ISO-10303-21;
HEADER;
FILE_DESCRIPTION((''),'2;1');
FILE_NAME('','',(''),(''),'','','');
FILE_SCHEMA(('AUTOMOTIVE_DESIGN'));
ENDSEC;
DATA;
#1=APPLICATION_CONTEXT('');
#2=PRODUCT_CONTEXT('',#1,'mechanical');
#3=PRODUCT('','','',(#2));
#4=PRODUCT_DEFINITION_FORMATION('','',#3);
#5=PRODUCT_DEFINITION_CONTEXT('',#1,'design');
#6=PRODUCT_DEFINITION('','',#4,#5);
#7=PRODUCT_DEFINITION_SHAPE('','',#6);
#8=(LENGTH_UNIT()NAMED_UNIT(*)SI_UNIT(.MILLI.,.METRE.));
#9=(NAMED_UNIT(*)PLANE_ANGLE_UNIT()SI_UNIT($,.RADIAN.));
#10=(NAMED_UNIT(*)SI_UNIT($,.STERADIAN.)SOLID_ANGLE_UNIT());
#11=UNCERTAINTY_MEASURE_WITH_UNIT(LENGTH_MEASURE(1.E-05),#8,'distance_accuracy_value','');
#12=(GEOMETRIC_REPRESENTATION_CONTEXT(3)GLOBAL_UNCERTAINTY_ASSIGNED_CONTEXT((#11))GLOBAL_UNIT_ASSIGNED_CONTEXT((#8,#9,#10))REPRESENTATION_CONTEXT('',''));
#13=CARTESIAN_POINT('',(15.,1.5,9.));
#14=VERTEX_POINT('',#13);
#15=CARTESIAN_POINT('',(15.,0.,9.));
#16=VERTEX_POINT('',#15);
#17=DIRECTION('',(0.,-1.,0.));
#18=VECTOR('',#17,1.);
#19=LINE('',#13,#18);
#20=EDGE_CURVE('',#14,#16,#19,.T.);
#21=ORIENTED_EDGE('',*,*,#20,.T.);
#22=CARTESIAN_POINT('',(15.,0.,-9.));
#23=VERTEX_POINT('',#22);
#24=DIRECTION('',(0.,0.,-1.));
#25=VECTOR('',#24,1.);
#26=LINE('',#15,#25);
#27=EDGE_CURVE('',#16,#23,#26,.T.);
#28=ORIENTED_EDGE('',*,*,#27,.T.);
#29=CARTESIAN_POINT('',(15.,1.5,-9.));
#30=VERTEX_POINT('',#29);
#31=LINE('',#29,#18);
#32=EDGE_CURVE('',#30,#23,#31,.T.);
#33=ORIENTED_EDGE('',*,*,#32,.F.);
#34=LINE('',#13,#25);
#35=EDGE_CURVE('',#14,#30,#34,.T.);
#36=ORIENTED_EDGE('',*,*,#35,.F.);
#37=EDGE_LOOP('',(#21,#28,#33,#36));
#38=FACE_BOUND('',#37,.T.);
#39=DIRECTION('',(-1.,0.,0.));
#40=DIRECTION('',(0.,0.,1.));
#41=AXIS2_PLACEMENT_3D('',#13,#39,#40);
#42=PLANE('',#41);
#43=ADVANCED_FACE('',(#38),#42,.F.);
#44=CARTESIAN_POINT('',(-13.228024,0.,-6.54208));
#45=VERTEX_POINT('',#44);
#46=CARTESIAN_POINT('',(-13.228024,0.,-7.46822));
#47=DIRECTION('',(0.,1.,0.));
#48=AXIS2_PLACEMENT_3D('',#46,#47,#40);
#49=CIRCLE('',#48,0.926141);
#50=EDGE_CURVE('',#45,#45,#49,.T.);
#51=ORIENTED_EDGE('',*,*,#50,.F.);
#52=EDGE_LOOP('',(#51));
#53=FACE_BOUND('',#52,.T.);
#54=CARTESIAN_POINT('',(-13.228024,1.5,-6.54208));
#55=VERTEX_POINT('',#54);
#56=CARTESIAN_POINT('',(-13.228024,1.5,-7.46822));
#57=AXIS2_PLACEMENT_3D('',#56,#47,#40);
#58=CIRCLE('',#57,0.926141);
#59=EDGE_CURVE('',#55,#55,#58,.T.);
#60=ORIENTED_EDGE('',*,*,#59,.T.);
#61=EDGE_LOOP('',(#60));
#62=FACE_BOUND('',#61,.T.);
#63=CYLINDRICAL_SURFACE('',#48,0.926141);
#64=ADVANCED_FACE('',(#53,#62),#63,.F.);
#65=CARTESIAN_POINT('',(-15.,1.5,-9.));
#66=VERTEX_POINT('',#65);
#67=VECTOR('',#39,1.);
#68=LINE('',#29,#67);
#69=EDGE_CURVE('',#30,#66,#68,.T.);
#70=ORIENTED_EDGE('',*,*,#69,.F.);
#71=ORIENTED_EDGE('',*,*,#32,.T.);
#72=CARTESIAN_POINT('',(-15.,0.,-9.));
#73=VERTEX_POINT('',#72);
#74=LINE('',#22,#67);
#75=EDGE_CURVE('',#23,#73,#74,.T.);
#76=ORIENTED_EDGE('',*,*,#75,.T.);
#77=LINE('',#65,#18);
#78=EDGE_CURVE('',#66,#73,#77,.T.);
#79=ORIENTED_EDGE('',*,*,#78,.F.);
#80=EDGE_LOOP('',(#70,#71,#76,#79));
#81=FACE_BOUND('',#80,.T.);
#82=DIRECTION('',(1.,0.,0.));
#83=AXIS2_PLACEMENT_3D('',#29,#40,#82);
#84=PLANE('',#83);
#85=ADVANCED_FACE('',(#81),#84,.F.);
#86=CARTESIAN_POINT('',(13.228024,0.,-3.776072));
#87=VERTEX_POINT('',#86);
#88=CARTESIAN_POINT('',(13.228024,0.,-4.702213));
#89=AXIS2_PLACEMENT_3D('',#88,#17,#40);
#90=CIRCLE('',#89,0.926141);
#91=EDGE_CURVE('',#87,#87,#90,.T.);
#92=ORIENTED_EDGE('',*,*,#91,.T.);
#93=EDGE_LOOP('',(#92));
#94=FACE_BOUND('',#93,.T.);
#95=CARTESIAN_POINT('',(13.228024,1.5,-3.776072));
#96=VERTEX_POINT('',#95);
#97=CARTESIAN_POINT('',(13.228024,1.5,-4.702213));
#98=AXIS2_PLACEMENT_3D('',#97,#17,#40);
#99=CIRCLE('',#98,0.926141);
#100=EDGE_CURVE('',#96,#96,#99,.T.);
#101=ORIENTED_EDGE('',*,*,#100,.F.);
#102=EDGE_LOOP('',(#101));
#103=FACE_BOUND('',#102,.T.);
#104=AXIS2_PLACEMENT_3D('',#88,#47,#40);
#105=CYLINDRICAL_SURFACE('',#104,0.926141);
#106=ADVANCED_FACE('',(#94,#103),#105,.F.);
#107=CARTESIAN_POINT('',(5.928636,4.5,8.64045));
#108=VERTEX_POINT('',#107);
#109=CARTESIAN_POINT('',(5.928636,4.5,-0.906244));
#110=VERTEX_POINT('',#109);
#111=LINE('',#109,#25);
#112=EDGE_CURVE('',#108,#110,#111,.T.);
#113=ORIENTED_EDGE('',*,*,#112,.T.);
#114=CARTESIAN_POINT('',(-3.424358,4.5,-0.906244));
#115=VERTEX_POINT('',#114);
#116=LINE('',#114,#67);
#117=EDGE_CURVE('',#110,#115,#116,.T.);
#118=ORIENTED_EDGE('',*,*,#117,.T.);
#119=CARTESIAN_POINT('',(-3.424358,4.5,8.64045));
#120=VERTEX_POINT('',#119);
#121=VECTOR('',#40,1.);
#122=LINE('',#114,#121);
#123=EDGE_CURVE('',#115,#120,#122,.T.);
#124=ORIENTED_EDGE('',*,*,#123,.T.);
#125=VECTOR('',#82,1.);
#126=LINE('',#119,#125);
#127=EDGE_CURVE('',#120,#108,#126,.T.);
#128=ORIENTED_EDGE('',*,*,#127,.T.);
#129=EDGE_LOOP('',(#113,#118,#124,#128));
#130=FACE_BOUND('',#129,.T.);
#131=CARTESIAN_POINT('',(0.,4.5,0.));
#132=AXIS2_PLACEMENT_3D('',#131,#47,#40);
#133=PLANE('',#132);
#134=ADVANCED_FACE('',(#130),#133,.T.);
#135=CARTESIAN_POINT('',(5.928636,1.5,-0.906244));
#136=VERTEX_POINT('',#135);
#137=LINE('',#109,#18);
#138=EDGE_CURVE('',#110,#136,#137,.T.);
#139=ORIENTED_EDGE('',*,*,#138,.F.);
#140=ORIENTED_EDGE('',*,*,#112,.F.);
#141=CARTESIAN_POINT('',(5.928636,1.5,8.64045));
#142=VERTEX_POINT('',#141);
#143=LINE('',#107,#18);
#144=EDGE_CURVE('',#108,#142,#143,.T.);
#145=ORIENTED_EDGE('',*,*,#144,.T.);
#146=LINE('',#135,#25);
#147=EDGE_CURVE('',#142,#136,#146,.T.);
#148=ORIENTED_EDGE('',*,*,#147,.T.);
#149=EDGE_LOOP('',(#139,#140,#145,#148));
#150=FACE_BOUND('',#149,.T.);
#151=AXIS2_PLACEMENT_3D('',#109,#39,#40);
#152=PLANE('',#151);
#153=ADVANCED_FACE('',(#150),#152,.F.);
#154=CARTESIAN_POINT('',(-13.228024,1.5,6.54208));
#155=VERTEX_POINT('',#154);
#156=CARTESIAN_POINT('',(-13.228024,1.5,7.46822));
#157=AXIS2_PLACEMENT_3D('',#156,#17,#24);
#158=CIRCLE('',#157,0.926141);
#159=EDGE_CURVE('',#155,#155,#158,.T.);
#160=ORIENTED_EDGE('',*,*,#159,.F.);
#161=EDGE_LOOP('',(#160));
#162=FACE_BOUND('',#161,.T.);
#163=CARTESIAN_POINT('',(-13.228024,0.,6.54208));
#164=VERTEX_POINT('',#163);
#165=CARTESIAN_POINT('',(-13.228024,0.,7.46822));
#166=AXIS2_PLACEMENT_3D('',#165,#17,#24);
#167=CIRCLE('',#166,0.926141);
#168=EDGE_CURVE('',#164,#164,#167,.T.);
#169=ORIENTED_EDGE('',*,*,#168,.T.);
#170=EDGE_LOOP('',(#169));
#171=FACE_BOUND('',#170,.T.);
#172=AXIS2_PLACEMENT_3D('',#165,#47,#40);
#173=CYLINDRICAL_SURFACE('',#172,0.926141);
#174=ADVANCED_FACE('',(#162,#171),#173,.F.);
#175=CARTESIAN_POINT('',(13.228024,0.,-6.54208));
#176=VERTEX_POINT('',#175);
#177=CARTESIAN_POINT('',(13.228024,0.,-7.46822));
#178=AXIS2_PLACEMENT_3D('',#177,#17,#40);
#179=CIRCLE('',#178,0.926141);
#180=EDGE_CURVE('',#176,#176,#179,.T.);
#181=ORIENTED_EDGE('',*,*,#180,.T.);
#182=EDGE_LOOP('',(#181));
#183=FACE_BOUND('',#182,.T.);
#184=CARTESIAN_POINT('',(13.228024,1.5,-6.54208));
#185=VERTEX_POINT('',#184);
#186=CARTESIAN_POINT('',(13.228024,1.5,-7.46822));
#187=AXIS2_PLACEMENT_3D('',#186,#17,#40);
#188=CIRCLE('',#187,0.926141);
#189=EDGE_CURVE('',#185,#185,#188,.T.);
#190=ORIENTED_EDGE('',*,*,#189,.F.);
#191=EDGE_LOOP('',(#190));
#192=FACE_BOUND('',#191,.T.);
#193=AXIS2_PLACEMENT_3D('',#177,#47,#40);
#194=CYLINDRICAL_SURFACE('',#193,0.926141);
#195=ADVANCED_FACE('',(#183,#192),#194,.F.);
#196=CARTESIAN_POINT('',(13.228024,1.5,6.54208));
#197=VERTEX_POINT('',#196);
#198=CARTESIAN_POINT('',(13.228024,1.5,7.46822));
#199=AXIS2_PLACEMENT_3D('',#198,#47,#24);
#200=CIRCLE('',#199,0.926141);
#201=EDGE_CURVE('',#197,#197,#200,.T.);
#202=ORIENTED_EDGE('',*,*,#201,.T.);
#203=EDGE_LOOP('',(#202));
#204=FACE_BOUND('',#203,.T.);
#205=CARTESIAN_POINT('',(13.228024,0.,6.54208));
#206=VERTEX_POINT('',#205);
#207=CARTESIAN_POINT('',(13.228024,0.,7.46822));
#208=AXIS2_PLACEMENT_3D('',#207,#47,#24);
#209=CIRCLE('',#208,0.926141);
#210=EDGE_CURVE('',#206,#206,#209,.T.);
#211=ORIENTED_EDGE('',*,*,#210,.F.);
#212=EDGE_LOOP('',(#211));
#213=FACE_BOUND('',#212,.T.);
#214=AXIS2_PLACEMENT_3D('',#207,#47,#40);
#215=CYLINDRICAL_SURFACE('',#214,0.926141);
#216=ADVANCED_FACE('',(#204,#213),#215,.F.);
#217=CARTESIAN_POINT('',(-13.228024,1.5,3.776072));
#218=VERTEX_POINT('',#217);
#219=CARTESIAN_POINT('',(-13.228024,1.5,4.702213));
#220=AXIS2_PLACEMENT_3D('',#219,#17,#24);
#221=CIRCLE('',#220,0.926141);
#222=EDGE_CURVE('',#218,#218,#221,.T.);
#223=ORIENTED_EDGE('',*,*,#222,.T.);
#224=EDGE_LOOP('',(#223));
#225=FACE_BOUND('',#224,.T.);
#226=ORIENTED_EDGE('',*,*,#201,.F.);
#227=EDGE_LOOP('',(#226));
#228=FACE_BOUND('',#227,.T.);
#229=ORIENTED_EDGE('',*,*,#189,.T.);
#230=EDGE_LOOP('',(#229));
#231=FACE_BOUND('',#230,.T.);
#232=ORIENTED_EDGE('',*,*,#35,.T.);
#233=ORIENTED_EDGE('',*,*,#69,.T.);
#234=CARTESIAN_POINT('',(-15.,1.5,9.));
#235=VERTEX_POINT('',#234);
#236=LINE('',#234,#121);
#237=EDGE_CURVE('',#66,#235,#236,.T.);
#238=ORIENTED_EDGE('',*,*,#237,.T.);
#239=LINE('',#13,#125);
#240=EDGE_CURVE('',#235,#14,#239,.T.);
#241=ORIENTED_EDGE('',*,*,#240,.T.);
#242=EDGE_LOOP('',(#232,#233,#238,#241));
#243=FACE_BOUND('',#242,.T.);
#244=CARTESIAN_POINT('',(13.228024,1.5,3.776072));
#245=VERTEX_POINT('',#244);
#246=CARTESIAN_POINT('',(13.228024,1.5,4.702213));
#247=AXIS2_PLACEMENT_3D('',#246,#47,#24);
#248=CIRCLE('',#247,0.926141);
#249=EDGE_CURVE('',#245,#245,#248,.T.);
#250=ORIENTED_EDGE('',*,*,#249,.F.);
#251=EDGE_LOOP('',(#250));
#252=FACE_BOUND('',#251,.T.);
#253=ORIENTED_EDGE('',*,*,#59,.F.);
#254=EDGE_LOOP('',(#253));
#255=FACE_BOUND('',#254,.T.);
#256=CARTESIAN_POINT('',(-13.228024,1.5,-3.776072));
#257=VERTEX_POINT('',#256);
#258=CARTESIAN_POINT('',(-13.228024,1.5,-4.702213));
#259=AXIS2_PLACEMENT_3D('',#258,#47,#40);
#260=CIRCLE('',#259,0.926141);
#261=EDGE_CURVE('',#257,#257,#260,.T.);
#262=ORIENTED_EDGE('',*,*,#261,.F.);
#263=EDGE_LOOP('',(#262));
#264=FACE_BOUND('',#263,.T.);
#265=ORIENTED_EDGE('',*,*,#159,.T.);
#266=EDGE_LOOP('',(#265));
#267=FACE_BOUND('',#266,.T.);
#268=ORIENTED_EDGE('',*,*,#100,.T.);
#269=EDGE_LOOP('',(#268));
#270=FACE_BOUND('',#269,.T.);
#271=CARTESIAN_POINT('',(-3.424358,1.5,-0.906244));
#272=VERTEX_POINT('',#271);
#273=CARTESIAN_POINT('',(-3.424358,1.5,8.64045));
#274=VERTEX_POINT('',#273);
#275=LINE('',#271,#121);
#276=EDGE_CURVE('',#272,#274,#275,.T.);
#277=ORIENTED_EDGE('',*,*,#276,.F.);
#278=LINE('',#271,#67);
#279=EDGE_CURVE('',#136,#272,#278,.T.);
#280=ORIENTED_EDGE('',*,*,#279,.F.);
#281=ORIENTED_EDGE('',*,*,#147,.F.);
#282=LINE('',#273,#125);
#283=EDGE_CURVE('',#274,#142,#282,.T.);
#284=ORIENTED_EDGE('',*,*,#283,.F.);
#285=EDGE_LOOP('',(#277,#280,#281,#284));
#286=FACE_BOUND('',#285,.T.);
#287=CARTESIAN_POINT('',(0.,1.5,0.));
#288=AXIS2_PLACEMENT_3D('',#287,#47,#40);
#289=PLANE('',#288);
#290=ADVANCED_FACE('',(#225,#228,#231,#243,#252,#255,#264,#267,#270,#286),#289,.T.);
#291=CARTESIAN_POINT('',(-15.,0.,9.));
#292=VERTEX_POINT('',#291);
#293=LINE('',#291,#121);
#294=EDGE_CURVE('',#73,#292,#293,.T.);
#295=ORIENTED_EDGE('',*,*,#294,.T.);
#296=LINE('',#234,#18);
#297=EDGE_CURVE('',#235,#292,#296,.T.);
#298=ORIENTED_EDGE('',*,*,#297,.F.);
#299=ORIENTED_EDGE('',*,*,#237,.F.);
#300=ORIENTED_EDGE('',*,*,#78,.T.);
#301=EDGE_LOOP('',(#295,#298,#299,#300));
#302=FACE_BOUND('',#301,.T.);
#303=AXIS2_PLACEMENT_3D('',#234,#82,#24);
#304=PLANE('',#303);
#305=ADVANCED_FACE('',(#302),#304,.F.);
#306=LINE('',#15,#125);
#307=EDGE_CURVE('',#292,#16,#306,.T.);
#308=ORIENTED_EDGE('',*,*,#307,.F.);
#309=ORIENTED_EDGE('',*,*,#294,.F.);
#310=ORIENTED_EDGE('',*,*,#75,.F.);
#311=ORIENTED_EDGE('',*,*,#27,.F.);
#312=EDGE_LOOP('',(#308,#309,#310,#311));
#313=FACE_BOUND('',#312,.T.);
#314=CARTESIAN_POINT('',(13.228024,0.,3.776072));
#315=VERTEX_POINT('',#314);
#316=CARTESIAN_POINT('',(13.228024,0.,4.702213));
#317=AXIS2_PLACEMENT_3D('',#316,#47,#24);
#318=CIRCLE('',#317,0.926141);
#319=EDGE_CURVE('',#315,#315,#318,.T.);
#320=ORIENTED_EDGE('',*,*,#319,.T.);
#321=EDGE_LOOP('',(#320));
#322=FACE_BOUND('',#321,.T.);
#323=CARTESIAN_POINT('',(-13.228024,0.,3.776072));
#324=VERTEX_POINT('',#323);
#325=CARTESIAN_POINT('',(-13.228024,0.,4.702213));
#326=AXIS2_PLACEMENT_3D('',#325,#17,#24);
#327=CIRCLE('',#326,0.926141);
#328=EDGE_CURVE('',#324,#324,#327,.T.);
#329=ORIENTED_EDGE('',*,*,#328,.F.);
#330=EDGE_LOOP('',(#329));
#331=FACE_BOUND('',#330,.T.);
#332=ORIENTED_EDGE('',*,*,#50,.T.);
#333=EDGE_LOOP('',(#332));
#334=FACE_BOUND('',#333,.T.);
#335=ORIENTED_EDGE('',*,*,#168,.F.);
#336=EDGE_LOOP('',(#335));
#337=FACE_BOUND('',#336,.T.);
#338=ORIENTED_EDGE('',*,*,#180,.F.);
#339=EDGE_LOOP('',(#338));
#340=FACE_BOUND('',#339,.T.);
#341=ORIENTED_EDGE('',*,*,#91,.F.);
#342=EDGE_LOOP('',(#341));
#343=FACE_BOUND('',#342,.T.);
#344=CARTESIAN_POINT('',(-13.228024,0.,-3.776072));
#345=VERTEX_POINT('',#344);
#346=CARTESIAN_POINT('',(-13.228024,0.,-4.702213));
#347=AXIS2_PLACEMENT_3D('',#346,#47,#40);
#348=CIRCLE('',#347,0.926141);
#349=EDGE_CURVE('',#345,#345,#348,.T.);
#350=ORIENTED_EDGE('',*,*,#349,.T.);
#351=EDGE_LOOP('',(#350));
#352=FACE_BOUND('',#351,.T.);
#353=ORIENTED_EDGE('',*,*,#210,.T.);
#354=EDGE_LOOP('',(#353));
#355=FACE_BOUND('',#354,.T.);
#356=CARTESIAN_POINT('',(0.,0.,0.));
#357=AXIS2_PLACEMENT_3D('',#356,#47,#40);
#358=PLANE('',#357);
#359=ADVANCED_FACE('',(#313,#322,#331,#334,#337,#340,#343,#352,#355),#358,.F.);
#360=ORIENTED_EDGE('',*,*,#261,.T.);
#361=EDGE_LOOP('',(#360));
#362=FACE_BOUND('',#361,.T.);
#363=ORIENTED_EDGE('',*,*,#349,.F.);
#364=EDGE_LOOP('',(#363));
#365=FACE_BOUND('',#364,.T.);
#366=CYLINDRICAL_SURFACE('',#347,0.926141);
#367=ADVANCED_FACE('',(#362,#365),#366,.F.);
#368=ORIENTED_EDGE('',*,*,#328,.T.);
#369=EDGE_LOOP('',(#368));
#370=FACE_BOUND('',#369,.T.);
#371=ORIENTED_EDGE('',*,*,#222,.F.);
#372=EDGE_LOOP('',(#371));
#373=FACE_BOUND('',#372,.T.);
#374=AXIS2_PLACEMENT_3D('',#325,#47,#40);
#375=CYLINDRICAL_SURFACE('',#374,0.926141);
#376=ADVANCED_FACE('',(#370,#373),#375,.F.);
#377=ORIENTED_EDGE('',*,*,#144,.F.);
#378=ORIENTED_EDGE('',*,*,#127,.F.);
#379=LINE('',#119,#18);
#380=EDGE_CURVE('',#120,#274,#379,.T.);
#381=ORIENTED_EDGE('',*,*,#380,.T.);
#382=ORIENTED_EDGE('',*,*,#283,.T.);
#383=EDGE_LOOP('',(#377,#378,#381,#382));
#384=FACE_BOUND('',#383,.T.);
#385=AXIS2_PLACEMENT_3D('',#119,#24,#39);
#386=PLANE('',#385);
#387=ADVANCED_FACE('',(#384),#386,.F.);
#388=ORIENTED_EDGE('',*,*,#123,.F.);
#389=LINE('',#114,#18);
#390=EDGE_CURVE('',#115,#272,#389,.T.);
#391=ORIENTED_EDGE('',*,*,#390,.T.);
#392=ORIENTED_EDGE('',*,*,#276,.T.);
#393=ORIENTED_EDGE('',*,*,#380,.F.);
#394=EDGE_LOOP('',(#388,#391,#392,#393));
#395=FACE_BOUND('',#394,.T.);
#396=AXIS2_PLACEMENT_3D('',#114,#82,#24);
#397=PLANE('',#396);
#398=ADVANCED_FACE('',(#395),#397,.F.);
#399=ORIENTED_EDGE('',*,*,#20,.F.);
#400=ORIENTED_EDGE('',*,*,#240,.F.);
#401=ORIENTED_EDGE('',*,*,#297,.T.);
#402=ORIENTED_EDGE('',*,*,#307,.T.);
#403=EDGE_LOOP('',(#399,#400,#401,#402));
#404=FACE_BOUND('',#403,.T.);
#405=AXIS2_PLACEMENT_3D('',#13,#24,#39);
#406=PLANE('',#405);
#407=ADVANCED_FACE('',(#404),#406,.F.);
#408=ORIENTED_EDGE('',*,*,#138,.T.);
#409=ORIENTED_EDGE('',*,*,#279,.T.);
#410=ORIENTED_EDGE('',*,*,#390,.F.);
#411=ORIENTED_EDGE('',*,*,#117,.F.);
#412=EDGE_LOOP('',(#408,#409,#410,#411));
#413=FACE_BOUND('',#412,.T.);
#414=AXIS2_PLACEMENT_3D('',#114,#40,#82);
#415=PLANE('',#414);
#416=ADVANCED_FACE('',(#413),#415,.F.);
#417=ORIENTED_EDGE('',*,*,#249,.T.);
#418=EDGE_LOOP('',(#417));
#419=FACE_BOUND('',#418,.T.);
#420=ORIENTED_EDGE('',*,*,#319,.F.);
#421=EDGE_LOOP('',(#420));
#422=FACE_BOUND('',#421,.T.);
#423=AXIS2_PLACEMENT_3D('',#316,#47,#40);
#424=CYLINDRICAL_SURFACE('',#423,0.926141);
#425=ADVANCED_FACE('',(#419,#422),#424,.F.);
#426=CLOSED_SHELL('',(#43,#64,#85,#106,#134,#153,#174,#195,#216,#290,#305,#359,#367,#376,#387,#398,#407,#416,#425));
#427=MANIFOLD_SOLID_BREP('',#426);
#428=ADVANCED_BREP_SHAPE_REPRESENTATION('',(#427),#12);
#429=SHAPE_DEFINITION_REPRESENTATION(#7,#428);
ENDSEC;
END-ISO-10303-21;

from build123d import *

# Parameters (mm, degrees)
SKETCH1_W               = 30
SKETCH1_H               = 18
BOSS_EXTRUDE1_DEPTH     = 1.5
SKETCH2_W               = 9.352993505
SKETCH2_H               = 9.546694554
BOSS_EXTRUDE2_DEPTH     = 3
SKETCH3_R               = 0.926140641
CUT_EXTRUDE1_DEPTH      = 2.5
CIRPATTERN1_COUNT       = 2
MIRROR1_COPY_1_SKETCH_R = 0.926140641
MIRROR1_COPY_1_DEPTH    = 2.5


with BuildPart() as part:
    # Sketch1 → Boss-Extrude1 (new body)
    with BuildSketch(Plane(origin=(0, 0, 0), x_dir=(1, 0, 0), z_dir=(0, 1, 0))):
        Rectangle(SKETCH1_W, SKETCH1_H)
    extrude(amount=BOSS_EXTRUDE1_DEPTH)

    # Sketch2 → Boss-Extrude2 (add)
    with BuildSketch(Plane(origin=(0, 1.5, 0), x_dir=(1, 0, 0), z_dir=(0, 1, 0))):
        with Locations((1.252138924, -3.867103084)):
            Rectangle(SKETCH2_W, SKETCH2_H)
    extrude(amount=BOSS_EXTRUDE2_DEPTH)

    # Sketch3 → Cut-Extrude1 (cut, through all)
    with BuildSketch(Plane(origin=(0, 1.5, 0), x_dir=(1, 0, 0), z_dir=(0, 1, 0))):
        with Locations((-13.228024261, 7.468220339)):
            Circle(SKETCH3_R)
        with Locations((-13.228024261, 4.702212806)):
            Circle(SKETCH3_R)
    cut_extrude1 = extrude(amount=-CUT_EXTRUDE1_DEPTH, mode=Mode.SUBTRACT)

    # CirPattern1: Cut-Extrude1 ×2 about axis
    cirpattern1_axis = Axis((0, 0, 0), (0, 1, 0))
    for i in range(1, CIRPATTERN1_COUNT):
        add(cut_extrude1.rotate(cirpattern1_axis, i * 360 / CIRPATTERN1_COUNT), mode=Mode.SUBTRACT)

    # Mirror1: Cut-Extrude1 across plane
    add(cut_extrude1.mirror(Plane(origin=(0, 0, 0), x_dir=(0, 0, 1), z_dir=(1, 0, 0))), mode=Mode.SUBTRACT)

    # Mirror1 copy 1 sketch → Mirror1 copy 1 (cut, through all)
    with BuildSketch(Plane(origin=(0, 1.5, 0), x_dir=(1, 0, 0), z_dir=(0, 1, 0))):
        with Locations((-13.228024261, -7.468220339)):
            Circle(MIRROR1_COPY_1_SKETCH_R)
        with Locations((-13.228024261, -4.702212806)):
            Circle(MIRROR1_COPY_1_SKETCH_R)
    extrude(amount=-MIRROR1_COPY_1_DEPTH, mode=Mode.SUBTRACT)


solid = part.part
